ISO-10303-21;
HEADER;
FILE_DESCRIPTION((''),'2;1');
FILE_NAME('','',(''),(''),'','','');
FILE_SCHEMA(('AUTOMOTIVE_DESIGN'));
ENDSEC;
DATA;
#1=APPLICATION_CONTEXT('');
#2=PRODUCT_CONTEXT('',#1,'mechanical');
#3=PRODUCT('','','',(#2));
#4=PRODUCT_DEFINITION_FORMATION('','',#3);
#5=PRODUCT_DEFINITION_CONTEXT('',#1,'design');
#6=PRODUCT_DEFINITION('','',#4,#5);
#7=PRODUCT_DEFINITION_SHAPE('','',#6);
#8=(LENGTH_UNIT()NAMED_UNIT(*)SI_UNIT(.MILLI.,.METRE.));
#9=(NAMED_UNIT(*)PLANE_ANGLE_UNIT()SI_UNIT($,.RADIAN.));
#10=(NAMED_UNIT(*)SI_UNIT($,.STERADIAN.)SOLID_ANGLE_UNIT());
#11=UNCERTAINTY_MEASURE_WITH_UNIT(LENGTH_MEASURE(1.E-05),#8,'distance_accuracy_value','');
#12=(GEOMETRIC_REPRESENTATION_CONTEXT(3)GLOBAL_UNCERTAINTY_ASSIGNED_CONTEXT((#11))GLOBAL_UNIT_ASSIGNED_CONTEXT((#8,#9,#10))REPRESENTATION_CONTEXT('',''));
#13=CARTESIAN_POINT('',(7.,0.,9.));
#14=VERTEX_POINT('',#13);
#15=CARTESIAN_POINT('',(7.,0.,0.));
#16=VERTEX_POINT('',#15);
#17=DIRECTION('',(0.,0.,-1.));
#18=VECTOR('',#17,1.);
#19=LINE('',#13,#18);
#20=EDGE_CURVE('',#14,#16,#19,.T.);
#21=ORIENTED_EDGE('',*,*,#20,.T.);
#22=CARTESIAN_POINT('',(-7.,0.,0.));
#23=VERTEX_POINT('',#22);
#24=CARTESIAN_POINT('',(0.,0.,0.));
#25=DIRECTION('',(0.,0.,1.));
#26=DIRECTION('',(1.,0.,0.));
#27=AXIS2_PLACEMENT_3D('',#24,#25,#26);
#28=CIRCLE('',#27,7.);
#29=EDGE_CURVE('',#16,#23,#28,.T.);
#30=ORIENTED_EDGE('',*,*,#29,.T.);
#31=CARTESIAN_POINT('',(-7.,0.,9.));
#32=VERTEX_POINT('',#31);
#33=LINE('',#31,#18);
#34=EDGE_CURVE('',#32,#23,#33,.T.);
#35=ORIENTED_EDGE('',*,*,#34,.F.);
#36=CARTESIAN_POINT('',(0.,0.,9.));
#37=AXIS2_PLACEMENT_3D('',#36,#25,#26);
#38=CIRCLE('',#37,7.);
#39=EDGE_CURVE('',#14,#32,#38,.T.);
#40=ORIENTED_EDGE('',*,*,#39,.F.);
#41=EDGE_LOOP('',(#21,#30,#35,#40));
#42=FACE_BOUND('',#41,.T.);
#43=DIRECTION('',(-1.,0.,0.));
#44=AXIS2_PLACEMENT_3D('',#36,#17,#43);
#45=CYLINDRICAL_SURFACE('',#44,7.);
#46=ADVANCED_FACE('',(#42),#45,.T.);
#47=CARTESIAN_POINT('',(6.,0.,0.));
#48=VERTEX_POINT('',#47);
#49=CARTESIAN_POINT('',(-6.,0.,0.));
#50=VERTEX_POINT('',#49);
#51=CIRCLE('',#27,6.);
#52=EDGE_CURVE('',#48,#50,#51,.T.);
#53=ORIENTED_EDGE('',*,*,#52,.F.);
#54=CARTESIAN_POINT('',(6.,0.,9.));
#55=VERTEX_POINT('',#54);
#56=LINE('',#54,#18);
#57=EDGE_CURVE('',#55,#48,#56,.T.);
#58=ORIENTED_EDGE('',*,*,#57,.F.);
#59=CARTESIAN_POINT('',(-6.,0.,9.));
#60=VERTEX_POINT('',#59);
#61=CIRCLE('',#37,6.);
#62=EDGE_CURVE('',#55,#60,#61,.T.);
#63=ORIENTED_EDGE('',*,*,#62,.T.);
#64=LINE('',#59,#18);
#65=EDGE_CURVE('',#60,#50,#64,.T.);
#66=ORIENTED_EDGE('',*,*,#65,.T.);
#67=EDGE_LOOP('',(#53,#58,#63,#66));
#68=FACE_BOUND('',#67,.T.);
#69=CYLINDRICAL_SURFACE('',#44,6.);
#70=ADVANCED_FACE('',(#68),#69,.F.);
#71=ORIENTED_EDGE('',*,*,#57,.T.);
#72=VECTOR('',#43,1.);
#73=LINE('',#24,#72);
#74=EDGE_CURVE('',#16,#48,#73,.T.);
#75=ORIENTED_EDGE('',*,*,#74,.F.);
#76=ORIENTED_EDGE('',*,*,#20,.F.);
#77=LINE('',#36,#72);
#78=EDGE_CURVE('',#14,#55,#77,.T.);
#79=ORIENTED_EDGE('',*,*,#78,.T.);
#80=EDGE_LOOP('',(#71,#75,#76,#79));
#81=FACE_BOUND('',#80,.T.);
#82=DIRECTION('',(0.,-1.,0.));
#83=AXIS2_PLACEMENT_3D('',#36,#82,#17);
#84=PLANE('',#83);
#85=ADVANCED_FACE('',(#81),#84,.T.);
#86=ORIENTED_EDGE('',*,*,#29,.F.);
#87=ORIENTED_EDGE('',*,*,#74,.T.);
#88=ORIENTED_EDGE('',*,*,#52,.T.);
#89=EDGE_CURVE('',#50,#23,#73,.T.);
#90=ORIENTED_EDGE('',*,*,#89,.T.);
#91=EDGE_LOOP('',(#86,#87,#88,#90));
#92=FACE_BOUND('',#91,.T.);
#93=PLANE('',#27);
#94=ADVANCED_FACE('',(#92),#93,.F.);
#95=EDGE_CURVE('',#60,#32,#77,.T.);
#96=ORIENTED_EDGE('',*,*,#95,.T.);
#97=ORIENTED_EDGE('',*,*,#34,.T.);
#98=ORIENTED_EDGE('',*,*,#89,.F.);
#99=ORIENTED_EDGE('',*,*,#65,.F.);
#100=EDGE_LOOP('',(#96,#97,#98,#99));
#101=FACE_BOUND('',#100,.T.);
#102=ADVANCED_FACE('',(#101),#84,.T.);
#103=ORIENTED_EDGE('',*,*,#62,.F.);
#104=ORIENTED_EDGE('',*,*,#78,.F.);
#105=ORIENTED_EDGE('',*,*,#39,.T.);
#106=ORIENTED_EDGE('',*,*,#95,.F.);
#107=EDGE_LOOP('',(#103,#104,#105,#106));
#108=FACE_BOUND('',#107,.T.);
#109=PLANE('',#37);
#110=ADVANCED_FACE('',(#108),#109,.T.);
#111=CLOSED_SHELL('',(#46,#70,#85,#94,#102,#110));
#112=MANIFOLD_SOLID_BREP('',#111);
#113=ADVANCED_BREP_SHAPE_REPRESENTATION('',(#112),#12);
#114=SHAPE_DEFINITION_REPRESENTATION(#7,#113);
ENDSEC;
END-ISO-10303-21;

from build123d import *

# Parameters (mm, degrees)
BOSS_EXTRUDE1_DEPTH = 9


with BuildPart() as part:
    # Sketch1 → Boss-Extrude1 (new body)
    with BuildSketch(Plane.XY):
        with BuildLine():
            Line((6, 0), (7, 0))
            ThreePointArc((7, 0), (0, 7), (-7, 0))
            Line((-7, 0), (-6, 0))
            ThreePointArc((-6, 0), (0, 6), (6, 0))
        make_face()
    extrude(amount=BOSS_EXTRUDE1_DEPTH)


solid = part.part
